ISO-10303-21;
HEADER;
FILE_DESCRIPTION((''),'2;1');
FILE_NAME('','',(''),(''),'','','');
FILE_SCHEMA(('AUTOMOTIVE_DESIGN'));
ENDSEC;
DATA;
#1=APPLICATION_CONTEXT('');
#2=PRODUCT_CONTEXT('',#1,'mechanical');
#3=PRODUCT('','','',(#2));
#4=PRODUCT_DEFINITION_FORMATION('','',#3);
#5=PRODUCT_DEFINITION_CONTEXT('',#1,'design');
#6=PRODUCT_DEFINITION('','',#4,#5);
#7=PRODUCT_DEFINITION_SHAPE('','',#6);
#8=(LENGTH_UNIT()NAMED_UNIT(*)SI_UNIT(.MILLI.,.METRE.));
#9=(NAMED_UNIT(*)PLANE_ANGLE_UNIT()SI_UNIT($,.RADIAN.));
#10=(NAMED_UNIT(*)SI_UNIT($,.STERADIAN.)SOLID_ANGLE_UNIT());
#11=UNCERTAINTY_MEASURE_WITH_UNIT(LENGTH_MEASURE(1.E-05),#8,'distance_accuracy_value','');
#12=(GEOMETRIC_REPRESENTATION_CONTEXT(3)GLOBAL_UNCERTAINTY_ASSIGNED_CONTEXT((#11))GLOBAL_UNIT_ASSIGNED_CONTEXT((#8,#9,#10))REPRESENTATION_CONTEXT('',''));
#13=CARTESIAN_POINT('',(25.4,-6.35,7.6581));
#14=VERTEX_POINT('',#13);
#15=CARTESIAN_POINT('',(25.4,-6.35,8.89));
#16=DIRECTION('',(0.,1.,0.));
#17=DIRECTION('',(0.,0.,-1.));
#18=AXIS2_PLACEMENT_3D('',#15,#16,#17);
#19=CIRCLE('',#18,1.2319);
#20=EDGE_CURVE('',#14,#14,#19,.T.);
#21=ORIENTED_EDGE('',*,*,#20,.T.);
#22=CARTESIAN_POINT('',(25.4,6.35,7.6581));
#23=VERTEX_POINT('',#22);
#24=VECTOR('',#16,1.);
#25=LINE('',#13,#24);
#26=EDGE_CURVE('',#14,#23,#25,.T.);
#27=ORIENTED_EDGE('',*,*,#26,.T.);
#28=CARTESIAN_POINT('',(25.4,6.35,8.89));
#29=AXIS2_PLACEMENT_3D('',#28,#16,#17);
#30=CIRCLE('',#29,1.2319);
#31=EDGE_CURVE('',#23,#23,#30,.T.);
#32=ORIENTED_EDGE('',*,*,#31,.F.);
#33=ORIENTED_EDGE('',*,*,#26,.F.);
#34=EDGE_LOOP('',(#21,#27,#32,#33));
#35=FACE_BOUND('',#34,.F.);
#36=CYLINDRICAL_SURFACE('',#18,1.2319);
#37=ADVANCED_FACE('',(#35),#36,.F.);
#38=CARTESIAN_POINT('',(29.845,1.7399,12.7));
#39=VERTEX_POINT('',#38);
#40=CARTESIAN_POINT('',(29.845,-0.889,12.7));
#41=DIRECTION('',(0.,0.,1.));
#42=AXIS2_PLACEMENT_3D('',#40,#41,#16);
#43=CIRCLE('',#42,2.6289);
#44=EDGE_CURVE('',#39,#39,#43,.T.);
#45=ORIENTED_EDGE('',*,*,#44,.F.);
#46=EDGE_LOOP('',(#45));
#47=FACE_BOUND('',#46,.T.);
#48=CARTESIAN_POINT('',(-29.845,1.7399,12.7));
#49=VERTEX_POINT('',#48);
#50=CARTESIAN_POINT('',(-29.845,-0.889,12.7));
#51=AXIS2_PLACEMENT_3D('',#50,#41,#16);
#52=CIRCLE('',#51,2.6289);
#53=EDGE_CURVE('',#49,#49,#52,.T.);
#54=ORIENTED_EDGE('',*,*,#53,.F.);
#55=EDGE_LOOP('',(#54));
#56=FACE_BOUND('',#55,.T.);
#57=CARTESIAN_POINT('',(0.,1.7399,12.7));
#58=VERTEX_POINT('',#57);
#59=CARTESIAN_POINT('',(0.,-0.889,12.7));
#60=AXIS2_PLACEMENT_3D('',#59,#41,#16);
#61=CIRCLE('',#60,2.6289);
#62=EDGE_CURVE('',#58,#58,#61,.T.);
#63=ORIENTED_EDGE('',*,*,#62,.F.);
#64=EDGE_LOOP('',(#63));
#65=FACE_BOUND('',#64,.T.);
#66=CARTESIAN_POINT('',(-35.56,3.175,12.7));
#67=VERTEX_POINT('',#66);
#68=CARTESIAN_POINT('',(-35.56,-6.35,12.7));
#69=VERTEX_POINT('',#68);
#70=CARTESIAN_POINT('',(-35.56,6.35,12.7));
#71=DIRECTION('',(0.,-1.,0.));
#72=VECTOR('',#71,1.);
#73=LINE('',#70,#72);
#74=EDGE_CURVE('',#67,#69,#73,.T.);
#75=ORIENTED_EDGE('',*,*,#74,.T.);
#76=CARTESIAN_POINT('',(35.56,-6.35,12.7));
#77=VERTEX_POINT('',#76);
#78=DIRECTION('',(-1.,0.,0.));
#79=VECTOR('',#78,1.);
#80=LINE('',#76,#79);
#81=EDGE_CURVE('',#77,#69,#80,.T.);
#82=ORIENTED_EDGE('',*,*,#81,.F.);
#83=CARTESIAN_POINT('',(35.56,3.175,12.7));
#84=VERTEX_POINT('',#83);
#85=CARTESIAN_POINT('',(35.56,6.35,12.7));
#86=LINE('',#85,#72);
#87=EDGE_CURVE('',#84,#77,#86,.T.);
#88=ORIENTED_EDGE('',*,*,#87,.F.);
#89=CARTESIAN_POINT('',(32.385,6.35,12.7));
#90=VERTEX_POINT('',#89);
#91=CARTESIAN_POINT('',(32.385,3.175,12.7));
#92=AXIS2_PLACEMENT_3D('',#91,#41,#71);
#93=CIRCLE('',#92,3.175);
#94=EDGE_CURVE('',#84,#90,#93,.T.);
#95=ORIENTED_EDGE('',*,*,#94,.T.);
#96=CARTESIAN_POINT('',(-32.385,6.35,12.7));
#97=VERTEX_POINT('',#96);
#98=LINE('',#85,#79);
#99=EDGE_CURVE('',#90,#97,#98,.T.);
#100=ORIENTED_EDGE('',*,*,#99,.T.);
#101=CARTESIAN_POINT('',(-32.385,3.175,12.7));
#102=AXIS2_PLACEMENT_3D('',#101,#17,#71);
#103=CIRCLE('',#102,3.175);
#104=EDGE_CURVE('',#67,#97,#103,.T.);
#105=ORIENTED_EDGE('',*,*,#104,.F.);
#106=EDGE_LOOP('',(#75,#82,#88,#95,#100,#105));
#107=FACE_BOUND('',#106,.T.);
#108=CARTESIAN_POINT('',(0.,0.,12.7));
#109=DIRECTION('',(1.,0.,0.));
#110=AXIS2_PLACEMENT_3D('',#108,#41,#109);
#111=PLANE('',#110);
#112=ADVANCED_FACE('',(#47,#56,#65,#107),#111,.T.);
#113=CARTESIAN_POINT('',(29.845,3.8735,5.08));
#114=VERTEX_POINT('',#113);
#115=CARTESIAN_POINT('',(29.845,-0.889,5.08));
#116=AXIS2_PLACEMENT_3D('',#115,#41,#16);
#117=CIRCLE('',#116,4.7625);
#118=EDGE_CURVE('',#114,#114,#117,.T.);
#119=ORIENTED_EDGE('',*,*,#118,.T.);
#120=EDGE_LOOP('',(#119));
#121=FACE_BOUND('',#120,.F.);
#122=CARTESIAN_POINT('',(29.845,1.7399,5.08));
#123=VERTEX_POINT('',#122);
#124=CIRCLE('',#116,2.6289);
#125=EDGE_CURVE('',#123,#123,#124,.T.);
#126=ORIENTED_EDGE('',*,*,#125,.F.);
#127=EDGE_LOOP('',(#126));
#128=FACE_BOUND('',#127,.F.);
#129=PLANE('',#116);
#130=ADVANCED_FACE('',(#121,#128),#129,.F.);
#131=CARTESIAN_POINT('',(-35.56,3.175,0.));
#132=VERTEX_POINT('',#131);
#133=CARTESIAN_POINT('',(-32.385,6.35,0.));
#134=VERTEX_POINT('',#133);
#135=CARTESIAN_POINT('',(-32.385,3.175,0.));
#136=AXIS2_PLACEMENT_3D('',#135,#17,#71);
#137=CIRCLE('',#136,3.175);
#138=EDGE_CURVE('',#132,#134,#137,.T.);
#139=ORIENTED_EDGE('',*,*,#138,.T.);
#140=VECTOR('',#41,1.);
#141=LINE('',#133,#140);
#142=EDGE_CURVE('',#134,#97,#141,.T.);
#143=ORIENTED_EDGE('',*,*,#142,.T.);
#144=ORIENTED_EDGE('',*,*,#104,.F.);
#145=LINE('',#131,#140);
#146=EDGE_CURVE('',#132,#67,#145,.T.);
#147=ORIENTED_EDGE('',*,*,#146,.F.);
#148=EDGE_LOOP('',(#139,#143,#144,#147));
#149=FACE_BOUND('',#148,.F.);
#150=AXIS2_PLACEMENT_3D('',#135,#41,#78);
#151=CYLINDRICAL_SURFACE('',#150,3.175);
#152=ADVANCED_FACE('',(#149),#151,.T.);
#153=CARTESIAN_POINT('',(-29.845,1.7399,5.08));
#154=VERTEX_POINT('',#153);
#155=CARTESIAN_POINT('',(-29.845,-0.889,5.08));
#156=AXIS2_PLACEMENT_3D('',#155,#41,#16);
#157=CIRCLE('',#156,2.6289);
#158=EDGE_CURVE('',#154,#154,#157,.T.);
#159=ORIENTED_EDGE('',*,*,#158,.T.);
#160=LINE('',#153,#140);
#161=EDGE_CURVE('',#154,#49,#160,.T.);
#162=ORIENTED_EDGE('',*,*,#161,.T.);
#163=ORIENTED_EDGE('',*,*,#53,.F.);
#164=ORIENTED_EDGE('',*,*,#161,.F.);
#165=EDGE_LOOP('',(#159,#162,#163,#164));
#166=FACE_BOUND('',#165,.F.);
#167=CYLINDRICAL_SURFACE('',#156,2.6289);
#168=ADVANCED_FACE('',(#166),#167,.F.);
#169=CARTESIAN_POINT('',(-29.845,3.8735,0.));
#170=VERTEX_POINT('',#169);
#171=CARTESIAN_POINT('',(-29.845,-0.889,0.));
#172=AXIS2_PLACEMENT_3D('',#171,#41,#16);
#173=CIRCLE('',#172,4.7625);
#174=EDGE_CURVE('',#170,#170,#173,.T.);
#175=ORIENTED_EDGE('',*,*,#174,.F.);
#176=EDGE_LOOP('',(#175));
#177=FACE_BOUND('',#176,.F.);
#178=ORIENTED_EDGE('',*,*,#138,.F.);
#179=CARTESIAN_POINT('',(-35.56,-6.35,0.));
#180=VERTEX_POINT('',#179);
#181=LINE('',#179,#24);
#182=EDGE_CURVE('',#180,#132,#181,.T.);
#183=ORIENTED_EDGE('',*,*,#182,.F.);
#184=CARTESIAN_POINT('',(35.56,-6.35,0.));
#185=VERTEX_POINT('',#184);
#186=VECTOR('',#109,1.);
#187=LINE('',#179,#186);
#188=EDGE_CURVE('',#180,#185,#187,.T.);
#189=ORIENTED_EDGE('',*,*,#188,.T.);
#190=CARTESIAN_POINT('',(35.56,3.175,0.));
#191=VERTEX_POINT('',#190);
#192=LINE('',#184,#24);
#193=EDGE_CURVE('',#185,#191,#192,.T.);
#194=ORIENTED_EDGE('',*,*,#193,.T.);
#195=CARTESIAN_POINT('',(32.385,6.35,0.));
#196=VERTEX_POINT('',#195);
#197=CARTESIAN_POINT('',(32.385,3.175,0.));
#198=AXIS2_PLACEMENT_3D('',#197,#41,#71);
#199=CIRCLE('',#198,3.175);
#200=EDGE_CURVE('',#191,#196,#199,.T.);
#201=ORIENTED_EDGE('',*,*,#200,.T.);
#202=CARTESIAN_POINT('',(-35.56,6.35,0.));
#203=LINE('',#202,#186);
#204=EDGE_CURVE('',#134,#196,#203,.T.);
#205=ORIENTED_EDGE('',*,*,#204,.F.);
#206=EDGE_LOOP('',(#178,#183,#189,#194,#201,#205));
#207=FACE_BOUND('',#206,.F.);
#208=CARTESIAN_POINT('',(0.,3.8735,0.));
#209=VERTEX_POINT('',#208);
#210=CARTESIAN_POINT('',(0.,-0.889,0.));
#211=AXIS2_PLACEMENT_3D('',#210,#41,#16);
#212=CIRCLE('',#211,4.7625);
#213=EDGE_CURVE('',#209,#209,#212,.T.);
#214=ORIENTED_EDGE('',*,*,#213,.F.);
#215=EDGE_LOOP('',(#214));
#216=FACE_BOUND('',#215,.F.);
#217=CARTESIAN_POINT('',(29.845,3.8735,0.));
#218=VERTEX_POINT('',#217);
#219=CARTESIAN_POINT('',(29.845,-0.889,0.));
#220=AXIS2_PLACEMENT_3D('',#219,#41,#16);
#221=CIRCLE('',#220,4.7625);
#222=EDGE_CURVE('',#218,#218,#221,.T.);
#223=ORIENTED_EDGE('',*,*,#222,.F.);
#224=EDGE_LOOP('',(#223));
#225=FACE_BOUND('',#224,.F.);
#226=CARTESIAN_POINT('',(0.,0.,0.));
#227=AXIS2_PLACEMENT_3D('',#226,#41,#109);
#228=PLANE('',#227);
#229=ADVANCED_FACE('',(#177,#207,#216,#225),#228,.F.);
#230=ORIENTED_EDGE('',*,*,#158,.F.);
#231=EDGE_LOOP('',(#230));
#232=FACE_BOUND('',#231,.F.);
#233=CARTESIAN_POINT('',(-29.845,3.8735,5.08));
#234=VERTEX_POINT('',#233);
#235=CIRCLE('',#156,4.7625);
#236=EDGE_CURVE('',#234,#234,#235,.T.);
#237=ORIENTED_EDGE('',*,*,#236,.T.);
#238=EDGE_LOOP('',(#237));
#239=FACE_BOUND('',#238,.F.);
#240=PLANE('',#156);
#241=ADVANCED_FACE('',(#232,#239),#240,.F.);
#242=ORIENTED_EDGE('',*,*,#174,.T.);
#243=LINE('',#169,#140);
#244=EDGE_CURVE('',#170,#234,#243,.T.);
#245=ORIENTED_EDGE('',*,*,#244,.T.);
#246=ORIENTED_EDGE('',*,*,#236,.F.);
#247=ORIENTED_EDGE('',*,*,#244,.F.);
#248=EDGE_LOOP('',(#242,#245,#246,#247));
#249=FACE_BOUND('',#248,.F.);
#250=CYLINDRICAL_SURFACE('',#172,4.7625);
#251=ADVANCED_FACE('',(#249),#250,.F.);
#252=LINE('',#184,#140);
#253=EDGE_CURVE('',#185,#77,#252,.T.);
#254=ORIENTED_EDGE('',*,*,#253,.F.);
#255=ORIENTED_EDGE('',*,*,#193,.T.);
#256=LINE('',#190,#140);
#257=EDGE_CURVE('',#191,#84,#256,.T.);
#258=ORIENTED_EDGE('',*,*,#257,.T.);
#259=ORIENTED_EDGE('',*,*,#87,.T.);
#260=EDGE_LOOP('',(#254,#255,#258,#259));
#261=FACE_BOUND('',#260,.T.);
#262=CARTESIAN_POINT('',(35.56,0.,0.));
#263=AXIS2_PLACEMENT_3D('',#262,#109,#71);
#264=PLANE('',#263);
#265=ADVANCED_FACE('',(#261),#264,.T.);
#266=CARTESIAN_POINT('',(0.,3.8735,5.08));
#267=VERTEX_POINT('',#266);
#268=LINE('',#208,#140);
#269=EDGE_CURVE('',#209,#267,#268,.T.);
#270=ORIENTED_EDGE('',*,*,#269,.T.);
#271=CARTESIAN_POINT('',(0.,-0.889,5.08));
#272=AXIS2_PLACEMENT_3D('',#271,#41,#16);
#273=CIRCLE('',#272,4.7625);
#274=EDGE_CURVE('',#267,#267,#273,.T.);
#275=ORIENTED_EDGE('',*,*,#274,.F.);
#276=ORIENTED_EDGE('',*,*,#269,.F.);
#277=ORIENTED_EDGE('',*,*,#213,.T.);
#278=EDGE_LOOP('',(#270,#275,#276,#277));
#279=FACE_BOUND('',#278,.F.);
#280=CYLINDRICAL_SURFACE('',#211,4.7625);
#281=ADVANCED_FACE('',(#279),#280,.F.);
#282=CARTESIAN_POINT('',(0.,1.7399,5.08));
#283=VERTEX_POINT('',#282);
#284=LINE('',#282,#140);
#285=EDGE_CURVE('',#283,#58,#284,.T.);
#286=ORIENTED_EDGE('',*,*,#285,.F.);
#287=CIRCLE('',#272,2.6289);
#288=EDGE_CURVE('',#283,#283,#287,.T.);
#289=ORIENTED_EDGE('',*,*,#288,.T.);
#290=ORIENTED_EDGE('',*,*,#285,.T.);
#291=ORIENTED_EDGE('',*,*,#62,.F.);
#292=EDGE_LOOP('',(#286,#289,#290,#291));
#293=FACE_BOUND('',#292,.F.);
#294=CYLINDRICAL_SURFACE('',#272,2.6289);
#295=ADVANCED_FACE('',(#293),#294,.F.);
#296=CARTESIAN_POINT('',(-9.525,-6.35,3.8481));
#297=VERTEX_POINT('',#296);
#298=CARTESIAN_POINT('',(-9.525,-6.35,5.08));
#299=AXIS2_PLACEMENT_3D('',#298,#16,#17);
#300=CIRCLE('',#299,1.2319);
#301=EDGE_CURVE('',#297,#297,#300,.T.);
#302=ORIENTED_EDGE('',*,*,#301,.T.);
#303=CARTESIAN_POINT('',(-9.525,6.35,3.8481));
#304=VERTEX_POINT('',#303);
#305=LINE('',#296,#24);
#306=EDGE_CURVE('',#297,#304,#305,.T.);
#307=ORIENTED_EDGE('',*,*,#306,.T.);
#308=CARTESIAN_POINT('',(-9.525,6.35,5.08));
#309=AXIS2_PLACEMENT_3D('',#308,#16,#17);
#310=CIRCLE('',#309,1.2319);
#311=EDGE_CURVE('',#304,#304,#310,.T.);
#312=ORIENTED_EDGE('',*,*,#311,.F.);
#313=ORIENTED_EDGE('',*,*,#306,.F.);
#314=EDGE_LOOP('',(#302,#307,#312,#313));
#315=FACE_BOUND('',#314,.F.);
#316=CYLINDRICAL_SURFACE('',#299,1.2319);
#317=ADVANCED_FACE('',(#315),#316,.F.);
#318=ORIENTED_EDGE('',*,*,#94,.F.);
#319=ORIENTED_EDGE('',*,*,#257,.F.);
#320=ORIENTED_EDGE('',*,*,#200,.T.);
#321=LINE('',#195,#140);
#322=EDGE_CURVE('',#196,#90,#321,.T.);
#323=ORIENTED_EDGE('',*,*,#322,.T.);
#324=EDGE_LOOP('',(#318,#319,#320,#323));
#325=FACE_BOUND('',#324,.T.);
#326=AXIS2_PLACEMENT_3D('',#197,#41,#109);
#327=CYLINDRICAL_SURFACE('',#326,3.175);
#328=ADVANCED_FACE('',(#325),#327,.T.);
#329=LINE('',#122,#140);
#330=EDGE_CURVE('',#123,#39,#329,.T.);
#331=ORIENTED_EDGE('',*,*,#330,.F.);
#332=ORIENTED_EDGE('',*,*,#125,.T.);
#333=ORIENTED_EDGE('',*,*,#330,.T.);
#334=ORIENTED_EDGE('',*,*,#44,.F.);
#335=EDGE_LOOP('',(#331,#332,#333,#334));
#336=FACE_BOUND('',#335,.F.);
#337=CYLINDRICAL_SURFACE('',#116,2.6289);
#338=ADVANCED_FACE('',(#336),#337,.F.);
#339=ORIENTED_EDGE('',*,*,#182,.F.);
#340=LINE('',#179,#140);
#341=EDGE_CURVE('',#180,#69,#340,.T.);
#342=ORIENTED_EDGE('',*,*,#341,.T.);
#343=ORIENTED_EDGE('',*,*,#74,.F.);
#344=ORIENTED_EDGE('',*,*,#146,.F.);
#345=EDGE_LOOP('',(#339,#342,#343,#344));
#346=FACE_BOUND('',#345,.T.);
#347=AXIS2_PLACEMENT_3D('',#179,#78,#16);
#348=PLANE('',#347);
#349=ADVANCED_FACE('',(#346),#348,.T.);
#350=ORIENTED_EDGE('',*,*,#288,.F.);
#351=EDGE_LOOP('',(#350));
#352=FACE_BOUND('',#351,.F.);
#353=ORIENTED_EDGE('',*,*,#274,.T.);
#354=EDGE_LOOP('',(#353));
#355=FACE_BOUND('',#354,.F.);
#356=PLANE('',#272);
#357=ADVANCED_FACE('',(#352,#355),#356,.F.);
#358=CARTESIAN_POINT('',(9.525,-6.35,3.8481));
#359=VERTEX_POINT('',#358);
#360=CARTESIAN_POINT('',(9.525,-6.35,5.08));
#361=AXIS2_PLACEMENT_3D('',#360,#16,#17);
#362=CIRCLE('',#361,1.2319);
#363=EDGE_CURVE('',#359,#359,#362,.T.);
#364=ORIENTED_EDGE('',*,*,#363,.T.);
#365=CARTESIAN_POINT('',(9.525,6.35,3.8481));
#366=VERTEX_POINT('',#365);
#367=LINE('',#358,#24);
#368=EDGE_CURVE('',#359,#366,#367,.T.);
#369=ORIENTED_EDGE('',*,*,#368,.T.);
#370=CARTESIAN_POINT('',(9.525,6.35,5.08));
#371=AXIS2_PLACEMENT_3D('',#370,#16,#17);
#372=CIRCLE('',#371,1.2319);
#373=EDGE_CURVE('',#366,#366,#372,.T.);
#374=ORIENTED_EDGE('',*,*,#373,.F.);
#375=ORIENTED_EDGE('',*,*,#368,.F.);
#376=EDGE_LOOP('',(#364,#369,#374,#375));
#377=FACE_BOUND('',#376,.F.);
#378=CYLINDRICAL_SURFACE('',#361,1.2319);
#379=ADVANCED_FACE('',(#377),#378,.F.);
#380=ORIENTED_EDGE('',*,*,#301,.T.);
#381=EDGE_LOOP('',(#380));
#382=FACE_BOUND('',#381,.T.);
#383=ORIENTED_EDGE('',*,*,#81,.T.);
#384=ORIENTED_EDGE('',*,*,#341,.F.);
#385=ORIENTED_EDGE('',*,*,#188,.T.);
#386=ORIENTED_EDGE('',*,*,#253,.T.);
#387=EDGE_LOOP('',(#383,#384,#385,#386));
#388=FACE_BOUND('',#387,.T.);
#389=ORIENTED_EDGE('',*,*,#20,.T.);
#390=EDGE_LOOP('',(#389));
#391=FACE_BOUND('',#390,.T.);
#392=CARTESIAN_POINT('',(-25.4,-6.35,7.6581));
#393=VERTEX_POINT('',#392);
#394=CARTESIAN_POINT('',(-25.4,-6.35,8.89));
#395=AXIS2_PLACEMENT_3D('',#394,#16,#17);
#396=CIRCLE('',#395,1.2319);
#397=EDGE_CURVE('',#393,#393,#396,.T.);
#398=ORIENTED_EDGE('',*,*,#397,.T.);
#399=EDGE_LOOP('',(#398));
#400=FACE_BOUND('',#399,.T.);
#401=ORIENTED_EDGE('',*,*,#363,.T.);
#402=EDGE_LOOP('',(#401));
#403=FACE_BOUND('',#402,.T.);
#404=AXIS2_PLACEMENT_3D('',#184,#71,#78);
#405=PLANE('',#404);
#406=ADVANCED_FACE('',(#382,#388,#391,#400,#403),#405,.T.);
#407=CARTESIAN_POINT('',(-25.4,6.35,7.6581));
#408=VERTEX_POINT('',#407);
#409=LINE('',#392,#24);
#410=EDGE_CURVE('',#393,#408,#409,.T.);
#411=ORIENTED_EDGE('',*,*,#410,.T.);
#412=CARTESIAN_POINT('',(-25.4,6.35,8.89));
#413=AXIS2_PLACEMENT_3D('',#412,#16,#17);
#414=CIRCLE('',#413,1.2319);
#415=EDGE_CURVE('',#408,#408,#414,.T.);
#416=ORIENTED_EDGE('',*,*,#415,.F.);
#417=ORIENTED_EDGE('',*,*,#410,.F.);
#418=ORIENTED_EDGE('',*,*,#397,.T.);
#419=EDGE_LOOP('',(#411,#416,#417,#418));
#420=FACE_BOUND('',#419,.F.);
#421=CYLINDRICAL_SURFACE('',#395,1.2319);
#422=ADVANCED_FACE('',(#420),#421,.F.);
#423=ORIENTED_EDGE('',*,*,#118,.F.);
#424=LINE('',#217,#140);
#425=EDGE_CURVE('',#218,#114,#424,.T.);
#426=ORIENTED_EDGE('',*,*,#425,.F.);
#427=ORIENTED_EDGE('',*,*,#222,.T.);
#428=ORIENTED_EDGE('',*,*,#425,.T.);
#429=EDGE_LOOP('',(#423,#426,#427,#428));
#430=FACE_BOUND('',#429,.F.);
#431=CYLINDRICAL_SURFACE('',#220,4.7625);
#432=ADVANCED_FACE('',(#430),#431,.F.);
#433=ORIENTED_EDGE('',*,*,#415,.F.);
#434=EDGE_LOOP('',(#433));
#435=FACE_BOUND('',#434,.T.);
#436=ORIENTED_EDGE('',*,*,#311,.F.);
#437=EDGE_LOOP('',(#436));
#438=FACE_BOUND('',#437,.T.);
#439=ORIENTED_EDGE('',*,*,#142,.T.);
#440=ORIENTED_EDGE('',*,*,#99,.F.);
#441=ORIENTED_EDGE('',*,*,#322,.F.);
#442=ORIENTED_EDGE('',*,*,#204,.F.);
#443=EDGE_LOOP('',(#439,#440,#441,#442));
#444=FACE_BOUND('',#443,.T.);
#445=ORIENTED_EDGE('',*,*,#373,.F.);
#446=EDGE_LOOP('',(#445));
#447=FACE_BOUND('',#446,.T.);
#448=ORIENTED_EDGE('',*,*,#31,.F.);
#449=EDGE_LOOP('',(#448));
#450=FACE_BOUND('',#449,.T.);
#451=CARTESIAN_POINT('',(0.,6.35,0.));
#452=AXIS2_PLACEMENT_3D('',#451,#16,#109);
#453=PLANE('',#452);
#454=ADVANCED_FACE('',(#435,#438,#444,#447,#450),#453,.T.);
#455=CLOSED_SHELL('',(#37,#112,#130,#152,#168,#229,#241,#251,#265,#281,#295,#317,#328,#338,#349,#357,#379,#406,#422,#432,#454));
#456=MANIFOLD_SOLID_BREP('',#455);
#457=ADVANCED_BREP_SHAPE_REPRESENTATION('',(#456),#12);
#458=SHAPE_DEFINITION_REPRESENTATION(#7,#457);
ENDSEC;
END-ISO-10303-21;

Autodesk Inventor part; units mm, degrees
ref_plane "YZ Plane" through (0, 0, 0) normal (1, 0, 0) x (0, 1, 0)
ref_plane "XZ Plane" through (0, 0, 0) normal (0, 1, 0) x (-1, 0, 0)
ref_plane "XY Plane" through (0, 0, 0) normal (0, 0, 1) x (1, 0, 0)
sketch "Sketch1" plane through (0, 0, 0) normal (0, 0, 1) x (1, 0, 0)
  line L0 (35.56, -6.35) -> (-35.56, -6.35)
  line L1 (-35.56, -6.35) -> (-35.56, 6.35)
  line L2 (-35.56, 6.35) -> (35.56, 6.35)
  line L3 (35.56, 6.35) -> (35.56, -6.35)
  line L4 (35.56, -6.35) -> (-35.56, 6.35) construction
  line L5 (-35.56, -6.35) -> (35.56, 6.35) construction
  line L6 (0, 8.89) -> (0, -8.89) projected
  line L7 (-49.784, 0) -> (49.784, 0) projected
  point P0 (0, 0)
  point P1 (-29.845, -0.889)
  point P2 (0, -0.889)
  point P3 (29.845, -0.889)
  point P4 (0, 0)
  dimension "d0" = 71.12
  dimension "d1" = 12.7
  dimension "d4" = 29.845
  dimension "d5" = 5.461
  dimension "d6" = 29.845
extrude "Extrusion1" add sketch "Sketch1" along normal blind 12.7
hole "Hole1" at (-29.845, -0.889, 0) at (0, -0.889, 0) at (29.845, -0.889, 0) direction (0, 0, 1) diameter 5.2578 end through all counterbore diameter 9.525 counterbore depth 5.08
sketch "Sketch2" plane through (0, 0, 0) normal (1, 0, 0) x (0, 1, 0)
  line L0 (-6.35, 0) -> (-6.35, 12.7) projected
  line L1 (-6.35, 12.7) -> (6.35, 12.7) projected
  line L2 (-6.35, 12.7) -> (-7.112, 12.7)
  line L3 (-7.112, 12.7) -> (-7.112, 13.462)
  line L4 (-7.112, 13.462) -> (-6.35, 13.462)
  line L5 (-6.35, 13.462) -> (-6.35, 15.24)
  line L6 (-6.35, 15.24) -> (-8.89, 15.24)
  line L7 (-8.89, 15.24) -> (-8.89, 10.795)
  line L8 (-8.89, 10.795) -> (-6.35, 8.255)
  line L9 (-6.35, 8.255) -> (-6.35, 12.7)
  point P0 (0, 0)
  dimension "d15" = 0.762
  dimension "d16" = 0.762
  dimension "d17" = 2.54
  dimension "d18" = 2.54
  dimension "d19" = 45
  dimension "d20" = 4.445
extrude "Extrusion2" [suppressed]
sketch "Sketch3" plane through (-35.56, -6.35, 0) normal (0, -1, 0) x (1, 0, 0)
  line L0 (35.56, 15.24) -> (35.56, -2.54) projected
  line L1 (-14.224, 0) -> (85.344, 0) projected
  point P0 (35.56, 0)
  point P1 (26.035, 5.08)
  point P2 (45.085, 5.08)
  point P3 (10.16, 8.89)
  point P4 (60.96, 8.89)
  dimension "d23" = 9.525
  dimension "d24" = 9.525
  dimension "d35" = 8.89
  dimension "d36" = 8.89
  dimension "d37" = 5.08
  dimension "d38" = 15.875
  dimension "d39" = 15.875
hole "Hole2" at (25.4, -6.35, 8.89) at (9.525, -6.35, 5.08) at (-9.525, -6.35, 5.08) at (-25.4, -6.35, 8.89) direction (0, 1, 0) diameter 2.4638 end through all
fillet "Fillet1" radius 3.175 2 edges at (35.56, 6.35, 6.35) (-35.56, 6.35, 6.35)
properties part number "J005362" material "ALUMINUM, 6061-T651"
